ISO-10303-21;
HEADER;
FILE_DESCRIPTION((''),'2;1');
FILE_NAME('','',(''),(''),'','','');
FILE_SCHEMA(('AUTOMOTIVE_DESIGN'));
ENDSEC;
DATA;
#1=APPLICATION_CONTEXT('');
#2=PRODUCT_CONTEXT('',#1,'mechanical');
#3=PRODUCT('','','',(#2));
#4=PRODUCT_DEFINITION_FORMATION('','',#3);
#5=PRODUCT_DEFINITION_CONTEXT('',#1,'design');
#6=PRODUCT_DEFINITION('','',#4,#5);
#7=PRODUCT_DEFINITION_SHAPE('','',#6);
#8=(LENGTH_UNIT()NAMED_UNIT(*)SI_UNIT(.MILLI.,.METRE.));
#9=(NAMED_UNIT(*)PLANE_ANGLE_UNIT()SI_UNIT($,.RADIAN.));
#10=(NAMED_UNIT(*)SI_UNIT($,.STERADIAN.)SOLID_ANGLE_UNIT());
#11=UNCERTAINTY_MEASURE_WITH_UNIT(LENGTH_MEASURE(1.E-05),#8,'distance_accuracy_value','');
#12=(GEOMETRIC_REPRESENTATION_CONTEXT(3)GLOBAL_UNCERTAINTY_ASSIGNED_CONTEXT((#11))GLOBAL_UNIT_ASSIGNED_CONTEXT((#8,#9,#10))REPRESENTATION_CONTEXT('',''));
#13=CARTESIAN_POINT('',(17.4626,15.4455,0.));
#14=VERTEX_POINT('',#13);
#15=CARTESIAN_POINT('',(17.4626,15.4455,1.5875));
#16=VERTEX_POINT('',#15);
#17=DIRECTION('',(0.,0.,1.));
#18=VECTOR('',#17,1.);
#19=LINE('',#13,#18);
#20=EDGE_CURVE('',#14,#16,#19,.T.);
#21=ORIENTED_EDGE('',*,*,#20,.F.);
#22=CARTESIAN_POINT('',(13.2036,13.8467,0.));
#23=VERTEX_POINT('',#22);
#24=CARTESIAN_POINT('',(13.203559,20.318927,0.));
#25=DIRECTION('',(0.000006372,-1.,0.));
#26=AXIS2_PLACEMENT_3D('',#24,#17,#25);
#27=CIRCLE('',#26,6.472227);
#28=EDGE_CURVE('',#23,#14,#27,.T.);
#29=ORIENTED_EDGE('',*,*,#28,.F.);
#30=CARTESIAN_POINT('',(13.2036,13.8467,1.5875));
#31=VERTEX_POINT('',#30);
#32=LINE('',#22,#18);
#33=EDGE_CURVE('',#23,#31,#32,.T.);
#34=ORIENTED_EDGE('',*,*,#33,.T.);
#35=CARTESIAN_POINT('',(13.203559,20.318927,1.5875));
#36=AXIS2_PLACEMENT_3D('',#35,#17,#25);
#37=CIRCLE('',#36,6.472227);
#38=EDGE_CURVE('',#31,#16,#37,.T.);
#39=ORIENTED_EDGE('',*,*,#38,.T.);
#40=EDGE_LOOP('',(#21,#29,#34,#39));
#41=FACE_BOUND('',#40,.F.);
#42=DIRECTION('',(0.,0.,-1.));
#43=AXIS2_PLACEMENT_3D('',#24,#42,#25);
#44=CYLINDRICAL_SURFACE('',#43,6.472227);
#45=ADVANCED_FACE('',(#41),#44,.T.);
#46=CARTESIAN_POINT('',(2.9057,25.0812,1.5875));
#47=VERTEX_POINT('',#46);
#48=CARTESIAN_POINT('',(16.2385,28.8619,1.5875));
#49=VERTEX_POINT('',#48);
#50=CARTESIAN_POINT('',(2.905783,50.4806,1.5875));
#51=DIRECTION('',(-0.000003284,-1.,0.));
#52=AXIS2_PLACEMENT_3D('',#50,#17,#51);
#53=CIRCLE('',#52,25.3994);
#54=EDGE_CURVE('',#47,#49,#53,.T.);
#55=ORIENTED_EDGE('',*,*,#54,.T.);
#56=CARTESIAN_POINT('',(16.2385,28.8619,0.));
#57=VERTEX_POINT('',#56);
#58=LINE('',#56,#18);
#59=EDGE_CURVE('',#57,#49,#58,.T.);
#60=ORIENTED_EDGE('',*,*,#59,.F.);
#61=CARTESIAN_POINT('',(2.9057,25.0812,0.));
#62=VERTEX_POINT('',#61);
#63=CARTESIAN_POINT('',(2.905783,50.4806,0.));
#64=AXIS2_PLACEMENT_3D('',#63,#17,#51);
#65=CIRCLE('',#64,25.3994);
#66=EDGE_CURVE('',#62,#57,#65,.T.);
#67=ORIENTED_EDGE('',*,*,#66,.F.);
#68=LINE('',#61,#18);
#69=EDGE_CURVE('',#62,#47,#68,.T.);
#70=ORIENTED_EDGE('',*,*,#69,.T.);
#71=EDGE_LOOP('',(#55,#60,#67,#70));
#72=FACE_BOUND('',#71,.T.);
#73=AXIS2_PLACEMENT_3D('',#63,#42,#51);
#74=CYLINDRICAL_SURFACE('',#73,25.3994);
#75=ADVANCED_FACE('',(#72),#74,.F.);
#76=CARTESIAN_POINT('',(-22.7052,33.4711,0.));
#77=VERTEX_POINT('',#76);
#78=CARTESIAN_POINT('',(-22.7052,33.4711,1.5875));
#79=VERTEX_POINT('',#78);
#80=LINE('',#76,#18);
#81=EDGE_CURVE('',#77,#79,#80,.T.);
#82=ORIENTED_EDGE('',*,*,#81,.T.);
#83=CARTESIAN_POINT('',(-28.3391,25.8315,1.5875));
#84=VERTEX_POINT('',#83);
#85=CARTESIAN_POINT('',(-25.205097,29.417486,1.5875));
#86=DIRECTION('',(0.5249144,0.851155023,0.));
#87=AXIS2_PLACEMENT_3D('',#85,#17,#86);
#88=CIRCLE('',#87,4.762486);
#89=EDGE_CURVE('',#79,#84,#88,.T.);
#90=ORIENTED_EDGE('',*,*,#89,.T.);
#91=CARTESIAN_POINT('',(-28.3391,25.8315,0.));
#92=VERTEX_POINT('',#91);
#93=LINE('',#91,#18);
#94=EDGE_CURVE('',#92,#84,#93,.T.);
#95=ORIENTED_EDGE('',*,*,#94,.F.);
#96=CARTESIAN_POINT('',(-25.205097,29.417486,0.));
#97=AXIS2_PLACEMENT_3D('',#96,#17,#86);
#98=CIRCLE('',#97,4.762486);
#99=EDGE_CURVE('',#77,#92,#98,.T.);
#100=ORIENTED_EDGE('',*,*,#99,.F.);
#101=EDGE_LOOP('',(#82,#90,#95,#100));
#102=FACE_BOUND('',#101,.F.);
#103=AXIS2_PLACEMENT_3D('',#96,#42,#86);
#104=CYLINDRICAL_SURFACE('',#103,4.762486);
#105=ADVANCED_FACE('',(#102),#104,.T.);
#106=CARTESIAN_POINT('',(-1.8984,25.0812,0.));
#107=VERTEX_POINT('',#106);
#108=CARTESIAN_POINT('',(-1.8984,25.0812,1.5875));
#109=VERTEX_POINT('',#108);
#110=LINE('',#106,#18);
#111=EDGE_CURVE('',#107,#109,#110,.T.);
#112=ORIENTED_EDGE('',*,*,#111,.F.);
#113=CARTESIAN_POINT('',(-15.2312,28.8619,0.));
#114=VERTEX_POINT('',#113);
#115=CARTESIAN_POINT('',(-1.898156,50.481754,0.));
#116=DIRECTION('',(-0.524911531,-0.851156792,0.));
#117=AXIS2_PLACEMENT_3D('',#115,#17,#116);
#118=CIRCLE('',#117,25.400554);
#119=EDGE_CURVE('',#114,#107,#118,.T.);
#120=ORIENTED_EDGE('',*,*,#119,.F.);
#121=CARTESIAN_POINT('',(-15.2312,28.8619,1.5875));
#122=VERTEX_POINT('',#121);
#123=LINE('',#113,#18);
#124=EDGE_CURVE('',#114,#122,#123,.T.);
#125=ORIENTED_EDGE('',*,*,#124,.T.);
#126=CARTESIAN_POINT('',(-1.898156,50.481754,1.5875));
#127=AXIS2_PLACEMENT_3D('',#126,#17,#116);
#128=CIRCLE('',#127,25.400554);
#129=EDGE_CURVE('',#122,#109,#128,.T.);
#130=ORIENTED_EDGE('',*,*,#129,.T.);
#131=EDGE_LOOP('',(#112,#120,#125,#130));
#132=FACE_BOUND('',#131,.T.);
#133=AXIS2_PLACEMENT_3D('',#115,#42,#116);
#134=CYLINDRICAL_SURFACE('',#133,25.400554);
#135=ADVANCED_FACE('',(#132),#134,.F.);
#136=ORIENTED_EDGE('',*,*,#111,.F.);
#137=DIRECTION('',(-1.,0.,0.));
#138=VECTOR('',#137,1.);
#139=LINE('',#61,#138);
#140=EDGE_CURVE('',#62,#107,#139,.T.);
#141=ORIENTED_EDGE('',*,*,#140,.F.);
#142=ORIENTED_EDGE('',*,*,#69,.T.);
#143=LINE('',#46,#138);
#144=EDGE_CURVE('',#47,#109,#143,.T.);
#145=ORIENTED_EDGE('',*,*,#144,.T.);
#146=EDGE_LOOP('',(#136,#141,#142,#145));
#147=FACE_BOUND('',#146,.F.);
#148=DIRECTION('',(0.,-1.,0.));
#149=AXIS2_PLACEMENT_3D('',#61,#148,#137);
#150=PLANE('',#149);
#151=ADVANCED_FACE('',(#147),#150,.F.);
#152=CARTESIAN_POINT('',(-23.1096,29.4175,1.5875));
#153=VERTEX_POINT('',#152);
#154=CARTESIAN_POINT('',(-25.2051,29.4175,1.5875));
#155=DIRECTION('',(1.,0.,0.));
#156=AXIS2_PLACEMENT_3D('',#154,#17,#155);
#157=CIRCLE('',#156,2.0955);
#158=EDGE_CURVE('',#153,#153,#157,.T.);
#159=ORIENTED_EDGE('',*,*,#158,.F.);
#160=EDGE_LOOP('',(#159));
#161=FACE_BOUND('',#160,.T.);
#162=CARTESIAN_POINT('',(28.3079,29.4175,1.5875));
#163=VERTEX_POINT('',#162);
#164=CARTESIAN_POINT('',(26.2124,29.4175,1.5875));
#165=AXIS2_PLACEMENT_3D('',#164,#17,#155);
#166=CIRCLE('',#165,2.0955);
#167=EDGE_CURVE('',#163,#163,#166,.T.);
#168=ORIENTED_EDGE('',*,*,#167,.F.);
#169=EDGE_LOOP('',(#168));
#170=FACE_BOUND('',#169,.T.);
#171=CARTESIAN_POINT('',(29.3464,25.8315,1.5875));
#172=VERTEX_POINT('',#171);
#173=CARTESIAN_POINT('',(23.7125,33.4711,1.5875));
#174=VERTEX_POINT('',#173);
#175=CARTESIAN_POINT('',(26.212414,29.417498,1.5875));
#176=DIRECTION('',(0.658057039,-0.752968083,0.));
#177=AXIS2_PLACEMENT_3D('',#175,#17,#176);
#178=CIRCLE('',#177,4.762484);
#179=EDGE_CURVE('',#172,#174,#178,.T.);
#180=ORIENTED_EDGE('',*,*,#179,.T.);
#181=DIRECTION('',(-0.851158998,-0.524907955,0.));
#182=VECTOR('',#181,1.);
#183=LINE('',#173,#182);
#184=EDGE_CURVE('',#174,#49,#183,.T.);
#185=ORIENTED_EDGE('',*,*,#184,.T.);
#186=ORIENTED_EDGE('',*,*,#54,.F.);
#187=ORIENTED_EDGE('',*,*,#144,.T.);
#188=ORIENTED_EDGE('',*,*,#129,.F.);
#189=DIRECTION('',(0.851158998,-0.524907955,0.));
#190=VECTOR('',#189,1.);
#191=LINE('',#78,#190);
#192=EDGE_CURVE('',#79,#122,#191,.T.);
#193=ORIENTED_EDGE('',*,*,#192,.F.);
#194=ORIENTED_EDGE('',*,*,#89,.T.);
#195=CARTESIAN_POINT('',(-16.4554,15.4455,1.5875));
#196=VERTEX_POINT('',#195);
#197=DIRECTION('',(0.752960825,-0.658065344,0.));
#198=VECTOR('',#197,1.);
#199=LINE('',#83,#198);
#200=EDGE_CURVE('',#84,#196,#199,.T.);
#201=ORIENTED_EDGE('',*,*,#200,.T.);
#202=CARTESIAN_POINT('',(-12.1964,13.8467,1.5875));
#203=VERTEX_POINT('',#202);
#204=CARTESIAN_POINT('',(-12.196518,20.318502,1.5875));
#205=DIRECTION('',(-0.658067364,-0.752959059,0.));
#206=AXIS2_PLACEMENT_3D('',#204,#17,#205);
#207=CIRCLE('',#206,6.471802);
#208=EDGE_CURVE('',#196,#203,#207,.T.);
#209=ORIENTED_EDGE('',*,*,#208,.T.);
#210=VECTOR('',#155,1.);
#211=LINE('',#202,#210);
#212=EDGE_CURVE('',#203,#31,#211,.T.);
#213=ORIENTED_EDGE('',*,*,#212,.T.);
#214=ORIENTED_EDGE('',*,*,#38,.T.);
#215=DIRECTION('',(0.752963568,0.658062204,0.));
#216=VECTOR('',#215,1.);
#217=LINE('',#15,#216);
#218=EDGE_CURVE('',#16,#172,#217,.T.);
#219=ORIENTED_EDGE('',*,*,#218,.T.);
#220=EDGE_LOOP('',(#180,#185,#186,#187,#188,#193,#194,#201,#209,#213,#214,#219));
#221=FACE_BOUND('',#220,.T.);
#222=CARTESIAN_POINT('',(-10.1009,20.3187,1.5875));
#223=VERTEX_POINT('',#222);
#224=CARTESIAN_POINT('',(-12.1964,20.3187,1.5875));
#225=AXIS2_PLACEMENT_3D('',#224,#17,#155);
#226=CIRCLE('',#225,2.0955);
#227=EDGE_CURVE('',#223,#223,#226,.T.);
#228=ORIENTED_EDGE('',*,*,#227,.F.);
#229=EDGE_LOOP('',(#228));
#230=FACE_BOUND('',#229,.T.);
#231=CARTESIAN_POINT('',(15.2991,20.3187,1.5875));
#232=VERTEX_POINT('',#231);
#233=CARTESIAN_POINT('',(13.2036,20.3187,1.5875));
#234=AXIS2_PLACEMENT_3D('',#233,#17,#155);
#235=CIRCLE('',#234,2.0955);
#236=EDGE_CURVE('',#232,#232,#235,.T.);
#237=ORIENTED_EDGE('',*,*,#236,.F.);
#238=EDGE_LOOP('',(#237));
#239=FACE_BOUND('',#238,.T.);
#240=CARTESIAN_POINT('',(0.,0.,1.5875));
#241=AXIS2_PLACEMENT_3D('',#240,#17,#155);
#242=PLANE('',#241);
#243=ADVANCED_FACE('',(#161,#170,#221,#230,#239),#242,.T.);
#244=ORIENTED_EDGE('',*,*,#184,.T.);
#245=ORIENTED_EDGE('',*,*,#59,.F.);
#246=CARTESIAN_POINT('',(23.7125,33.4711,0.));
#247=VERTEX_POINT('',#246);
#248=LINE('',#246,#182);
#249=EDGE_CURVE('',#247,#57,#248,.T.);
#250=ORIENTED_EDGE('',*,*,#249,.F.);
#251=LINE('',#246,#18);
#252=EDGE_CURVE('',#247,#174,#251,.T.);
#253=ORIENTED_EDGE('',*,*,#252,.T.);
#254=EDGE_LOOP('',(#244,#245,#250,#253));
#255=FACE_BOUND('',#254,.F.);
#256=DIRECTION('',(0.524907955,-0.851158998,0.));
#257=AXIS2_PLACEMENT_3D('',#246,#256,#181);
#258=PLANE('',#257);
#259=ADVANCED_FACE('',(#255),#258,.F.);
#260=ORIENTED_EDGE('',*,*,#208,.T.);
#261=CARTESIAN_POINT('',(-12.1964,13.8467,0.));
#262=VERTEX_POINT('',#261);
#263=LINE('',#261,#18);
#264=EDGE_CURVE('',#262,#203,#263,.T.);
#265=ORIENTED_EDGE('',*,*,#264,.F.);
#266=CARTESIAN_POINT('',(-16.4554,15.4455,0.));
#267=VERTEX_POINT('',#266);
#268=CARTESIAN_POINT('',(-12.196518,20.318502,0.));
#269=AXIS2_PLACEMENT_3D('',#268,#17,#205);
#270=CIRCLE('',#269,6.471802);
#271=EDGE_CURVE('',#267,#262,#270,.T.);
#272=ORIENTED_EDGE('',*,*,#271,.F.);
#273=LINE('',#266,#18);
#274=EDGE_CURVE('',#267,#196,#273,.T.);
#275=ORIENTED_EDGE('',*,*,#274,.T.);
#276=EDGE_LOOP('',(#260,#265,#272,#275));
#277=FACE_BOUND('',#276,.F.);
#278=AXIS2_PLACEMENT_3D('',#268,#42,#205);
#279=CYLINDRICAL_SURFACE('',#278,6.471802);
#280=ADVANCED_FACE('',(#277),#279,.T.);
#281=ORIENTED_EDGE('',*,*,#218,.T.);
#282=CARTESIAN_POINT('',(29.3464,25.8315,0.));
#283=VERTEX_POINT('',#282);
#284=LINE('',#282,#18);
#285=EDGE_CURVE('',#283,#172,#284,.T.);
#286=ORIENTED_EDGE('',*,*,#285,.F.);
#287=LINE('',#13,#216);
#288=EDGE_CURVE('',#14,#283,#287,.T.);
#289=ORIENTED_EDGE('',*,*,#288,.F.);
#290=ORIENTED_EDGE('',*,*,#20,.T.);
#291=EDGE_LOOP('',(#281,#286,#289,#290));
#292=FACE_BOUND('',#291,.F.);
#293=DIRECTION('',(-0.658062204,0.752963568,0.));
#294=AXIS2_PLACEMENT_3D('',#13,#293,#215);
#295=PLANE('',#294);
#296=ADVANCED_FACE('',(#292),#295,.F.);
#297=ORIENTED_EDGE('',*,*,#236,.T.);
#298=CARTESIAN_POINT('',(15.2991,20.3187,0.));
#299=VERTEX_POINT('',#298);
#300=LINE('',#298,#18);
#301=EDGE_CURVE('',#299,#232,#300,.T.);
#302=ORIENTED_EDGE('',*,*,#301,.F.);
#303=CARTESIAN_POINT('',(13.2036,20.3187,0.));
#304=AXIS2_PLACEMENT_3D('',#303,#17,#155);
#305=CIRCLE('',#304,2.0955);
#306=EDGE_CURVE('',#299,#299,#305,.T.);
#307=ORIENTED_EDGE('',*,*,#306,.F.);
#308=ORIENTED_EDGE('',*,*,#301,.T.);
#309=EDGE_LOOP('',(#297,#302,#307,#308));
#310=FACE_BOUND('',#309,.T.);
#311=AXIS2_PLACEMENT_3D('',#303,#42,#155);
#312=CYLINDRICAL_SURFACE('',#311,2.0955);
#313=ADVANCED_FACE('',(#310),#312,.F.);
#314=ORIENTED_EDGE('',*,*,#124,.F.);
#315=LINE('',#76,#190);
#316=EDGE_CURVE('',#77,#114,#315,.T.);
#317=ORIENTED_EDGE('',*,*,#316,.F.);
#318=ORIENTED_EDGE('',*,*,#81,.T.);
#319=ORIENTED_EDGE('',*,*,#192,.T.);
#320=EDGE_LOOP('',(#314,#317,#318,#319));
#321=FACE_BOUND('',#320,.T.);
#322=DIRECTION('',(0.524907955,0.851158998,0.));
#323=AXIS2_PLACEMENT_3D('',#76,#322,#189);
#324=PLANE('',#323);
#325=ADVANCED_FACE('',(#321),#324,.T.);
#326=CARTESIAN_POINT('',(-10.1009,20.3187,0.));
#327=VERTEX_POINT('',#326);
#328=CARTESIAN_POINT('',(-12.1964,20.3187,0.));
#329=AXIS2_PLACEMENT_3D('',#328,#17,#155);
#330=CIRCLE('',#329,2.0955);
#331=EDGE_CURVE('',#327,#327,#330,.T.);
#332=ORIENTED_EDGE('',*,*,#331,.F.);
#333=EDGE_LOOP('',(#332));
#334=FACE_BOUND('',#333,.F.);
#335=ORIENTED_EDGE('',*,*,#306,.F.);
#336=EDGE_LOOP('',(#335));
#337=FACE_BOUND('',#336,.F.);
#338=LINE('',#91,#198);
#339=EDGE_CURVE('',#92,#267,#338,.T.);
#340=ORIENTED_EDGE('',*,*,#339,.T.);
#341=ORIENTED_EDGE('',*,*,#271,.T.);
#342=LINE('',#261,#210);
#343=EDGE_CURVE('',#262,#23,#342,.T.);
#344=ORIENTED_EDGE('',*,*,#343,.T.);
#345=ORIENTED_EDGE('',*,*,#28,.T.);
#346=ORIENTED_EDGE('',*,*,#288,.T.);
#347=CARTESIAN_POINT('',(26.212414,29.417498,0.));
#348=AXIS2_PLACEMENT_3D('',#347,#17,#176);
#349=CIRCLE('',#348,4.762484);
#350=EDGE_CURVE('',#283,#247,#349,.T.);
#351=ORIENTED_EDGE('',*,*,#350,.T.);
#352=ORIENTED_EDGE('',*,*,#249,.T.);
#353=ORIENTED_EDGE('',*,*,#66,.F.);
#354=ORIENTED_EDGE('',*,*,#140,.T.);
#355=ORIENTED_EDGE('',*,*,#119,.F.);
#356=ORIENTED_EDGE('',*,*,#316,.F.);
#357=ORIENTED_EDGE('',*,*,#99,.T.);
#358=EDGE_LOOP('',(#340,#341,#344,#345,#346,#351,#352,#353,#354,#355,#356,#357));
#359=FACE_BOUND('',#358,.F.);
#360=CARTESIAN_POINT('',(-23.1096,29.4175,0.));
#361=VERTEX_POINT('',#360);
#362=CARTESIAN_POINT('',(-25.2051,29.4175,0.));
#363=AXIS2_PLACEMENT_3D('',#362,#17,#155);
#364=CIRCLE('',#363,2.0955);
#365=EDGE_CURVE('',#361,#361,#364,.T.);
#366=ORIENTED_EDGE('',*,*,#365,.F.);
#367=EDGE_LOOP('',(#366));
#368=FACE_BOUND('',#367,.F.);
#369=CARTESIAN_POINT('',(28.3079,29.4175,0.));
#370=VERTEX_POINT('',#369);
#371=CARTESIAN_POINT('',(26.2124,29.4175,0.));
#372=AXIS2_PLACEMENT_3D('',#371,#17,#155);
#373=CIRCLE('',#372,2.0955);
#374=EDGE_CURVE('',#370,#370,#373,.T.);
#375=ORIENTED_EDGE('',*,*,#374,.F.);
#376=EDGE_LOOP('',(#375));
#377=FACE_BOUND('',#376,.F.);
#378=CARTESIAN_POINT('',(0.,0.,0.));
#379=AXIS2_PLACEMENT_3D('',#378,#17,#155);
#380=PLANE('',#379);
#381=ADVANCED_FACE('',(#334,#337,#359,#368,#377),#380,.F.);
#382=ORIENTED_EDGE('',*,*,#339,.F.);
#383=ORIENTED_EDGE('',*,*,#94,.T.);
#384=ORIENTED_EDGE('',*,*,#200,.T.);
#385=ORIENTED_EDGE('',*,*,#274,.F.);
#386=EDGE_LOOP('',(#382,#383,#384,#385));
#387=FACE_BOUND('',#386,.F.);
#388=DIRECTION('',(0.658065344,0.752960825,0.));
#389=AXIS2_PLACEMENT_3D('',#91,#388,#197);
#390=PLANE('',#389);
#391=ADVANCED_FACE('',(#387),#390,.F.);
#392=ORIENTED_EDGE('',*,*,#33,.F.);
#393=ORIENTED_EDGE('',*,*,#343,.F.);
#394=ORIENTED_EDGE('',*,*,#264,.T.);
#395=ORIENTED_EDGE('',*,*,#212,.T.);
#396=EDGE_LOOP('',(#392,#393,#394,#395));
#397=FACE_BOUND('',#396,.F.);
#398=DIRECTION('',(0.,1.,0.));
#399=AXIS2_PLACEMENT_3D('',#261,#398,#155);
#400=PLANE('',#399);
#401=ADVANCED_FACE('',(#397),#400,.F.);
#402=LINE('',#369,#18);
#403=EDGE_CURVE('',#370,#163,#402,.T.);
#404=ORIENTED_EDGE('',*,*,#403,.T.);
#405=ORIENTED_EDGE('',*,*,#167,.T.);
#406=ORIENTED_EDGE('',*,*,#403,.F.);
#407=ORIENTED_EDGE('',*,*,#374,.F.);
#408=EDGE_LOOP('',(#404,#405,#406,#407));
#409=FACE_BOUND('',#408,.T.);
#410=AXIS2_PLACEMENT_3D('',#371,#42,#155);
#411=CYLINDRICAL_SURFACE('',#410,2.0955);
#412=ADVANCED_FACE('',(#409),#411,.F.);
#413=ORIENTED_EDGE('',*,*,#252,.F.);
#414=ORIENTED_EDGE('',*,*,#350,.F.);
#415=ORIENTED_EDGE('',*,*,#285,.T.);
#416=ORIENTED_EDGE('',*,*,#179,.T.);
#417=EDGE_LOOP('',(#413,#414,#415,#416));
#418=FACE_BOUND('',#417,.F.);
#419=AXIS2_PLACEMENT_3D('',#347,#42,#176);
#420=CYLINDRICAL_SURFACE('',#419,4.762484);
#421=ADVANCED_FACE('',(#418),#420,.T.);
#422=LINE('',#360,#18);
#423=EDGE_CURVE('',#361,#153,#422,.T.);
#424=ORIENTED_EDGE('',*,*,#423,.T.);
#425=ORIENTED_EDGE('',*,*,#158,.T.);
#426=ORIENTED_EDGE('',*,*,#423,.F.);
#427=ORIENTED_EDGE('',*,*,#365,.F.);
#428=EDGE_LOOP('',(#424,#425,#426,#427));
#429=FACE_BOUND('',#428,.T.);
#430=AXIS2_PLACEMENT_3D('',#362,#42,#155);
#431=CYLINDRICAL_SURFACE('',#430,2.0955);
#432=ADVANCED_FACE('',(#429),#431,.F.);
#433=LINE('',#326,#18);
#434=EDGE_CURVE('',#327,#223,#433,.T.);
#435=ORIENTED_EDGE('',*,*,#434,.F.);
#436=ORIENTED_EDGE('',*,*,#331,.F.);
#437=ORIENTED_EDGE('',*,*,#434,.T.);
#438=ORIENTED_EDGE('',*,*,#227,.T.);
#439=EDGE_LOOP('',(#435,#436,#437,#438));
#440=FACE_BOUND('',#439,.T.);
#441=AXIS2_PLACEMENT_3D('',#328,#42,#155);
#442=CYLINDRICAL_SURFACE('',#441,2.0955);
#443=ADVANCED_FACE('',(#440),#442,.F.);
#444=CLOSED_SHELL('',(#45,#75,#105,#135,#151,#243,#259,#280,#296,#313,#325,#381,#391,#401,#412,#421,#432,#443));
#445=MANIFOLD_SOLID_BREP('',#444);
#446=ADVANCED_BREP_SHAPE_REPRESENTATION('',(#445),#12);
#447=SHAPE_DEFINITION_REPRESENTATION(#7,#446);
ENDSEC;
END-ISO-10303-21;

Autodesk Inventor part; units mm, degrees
ref_plane "YZ Plane" through (0, 0, 0) normal (1, 0, 0) x (0, 1, 0)
ref_plane "XZ Plane" through (0, 0, 0) normal (0, 1, 0) x (-1, 0, 0)
ref_plane "XY Plane" through (0, 0, 0) normal (0, 0, 1) x (1, 0, 0)
sketch "Sketch1" plane through (0, 0, 0) normal (0, 0, 1) x (1, 0, 0)
  circle A0 centre (13.2036, 20.3187) radius 2.0955
  circle A1 centre (-12.1964, 20.3187) radius 2.0955
  line L0 (2.9057, 25.0812) -> (-1.8984, 25.0812)
  circle A2 centre (-25.2051, 29.4175) radius 2.0955
  arc A3 (-22.7052, 33.4711) -> (-28.3391, 25.8315) centre (-25.2051, 29.4175) ccw
  arc A4 (29.3464, 25.8315) -> (23.7125, 33.4711) centre (26.2124, 29.4175) ccw
  circle A5 centre (26.2124, 29.4175) radius 2.0955
  line L1 (-22.7052, 33.4711) -> (-15.2312, 28.8619)
  line L2 (23.7125, 33.4711) -> (16.2385, 28.8619)
  arc A6 (-15.2312, 28.8619) -> (-1.8984, 25.0812) centre (-1.8984, 50.4812) ccw
  arc A7 (2.9057, 25.0812) -> (16.2385, 28.8619) centre (2.9057, 50.4812) ccw
  arc A8 (-16.4554, 15.4455) -> (-12.1964, 13.8467) centre (-12.1964, 20.3187) ccw
  arc A9 (13.2036, 13.8467) -> (17.4626, 15.4455) centre (13.2036, 20.3187) ccw
  line L3 (-12.1964, 13.8467) -> (13.2036, 13.8467)
  line L4 (-28.3391, 25.8315) -> (-16.4554, 15.4455)
  line L5 (17.4626, 15.4455) -> (29.3464, 25.8315)
  circle A10 centre (-12.1964, 20.3187) radius 3.6662
  circle A11 centre (13.2036, 20.3187) radius 3.6662
  point P0 (0, 0)
  point P1 (-12.1964, 25.0812)
  point P2 (17.4758, 18.214)
  point P3 (-16.4686, 18.214)
  point P4 (0.5036, 25.0812)
  dimension "d8" = 4.191
  dimension "d9" = 4.191
  dimension "d13" = 4.191
  dimension "d14" = 9.525
  dimension "d15" = 9.525
  dimension "d16" = 4.191
  dimension "d17" = 25.4
  dimension "d19" = 7.3323
  dimension "d21" = 15.875
  dimension "d23" = 15.875
extrude "Extrusion1" add sketch "Sketch1" along normal blind 1.5875 contours A7 L2 A4 L5 A9 L3 A8 L4 A3 L1 A6 L0 | A10 | A11
properties part number "Hook Gusset Brace" material "Acetal Resin, White"
